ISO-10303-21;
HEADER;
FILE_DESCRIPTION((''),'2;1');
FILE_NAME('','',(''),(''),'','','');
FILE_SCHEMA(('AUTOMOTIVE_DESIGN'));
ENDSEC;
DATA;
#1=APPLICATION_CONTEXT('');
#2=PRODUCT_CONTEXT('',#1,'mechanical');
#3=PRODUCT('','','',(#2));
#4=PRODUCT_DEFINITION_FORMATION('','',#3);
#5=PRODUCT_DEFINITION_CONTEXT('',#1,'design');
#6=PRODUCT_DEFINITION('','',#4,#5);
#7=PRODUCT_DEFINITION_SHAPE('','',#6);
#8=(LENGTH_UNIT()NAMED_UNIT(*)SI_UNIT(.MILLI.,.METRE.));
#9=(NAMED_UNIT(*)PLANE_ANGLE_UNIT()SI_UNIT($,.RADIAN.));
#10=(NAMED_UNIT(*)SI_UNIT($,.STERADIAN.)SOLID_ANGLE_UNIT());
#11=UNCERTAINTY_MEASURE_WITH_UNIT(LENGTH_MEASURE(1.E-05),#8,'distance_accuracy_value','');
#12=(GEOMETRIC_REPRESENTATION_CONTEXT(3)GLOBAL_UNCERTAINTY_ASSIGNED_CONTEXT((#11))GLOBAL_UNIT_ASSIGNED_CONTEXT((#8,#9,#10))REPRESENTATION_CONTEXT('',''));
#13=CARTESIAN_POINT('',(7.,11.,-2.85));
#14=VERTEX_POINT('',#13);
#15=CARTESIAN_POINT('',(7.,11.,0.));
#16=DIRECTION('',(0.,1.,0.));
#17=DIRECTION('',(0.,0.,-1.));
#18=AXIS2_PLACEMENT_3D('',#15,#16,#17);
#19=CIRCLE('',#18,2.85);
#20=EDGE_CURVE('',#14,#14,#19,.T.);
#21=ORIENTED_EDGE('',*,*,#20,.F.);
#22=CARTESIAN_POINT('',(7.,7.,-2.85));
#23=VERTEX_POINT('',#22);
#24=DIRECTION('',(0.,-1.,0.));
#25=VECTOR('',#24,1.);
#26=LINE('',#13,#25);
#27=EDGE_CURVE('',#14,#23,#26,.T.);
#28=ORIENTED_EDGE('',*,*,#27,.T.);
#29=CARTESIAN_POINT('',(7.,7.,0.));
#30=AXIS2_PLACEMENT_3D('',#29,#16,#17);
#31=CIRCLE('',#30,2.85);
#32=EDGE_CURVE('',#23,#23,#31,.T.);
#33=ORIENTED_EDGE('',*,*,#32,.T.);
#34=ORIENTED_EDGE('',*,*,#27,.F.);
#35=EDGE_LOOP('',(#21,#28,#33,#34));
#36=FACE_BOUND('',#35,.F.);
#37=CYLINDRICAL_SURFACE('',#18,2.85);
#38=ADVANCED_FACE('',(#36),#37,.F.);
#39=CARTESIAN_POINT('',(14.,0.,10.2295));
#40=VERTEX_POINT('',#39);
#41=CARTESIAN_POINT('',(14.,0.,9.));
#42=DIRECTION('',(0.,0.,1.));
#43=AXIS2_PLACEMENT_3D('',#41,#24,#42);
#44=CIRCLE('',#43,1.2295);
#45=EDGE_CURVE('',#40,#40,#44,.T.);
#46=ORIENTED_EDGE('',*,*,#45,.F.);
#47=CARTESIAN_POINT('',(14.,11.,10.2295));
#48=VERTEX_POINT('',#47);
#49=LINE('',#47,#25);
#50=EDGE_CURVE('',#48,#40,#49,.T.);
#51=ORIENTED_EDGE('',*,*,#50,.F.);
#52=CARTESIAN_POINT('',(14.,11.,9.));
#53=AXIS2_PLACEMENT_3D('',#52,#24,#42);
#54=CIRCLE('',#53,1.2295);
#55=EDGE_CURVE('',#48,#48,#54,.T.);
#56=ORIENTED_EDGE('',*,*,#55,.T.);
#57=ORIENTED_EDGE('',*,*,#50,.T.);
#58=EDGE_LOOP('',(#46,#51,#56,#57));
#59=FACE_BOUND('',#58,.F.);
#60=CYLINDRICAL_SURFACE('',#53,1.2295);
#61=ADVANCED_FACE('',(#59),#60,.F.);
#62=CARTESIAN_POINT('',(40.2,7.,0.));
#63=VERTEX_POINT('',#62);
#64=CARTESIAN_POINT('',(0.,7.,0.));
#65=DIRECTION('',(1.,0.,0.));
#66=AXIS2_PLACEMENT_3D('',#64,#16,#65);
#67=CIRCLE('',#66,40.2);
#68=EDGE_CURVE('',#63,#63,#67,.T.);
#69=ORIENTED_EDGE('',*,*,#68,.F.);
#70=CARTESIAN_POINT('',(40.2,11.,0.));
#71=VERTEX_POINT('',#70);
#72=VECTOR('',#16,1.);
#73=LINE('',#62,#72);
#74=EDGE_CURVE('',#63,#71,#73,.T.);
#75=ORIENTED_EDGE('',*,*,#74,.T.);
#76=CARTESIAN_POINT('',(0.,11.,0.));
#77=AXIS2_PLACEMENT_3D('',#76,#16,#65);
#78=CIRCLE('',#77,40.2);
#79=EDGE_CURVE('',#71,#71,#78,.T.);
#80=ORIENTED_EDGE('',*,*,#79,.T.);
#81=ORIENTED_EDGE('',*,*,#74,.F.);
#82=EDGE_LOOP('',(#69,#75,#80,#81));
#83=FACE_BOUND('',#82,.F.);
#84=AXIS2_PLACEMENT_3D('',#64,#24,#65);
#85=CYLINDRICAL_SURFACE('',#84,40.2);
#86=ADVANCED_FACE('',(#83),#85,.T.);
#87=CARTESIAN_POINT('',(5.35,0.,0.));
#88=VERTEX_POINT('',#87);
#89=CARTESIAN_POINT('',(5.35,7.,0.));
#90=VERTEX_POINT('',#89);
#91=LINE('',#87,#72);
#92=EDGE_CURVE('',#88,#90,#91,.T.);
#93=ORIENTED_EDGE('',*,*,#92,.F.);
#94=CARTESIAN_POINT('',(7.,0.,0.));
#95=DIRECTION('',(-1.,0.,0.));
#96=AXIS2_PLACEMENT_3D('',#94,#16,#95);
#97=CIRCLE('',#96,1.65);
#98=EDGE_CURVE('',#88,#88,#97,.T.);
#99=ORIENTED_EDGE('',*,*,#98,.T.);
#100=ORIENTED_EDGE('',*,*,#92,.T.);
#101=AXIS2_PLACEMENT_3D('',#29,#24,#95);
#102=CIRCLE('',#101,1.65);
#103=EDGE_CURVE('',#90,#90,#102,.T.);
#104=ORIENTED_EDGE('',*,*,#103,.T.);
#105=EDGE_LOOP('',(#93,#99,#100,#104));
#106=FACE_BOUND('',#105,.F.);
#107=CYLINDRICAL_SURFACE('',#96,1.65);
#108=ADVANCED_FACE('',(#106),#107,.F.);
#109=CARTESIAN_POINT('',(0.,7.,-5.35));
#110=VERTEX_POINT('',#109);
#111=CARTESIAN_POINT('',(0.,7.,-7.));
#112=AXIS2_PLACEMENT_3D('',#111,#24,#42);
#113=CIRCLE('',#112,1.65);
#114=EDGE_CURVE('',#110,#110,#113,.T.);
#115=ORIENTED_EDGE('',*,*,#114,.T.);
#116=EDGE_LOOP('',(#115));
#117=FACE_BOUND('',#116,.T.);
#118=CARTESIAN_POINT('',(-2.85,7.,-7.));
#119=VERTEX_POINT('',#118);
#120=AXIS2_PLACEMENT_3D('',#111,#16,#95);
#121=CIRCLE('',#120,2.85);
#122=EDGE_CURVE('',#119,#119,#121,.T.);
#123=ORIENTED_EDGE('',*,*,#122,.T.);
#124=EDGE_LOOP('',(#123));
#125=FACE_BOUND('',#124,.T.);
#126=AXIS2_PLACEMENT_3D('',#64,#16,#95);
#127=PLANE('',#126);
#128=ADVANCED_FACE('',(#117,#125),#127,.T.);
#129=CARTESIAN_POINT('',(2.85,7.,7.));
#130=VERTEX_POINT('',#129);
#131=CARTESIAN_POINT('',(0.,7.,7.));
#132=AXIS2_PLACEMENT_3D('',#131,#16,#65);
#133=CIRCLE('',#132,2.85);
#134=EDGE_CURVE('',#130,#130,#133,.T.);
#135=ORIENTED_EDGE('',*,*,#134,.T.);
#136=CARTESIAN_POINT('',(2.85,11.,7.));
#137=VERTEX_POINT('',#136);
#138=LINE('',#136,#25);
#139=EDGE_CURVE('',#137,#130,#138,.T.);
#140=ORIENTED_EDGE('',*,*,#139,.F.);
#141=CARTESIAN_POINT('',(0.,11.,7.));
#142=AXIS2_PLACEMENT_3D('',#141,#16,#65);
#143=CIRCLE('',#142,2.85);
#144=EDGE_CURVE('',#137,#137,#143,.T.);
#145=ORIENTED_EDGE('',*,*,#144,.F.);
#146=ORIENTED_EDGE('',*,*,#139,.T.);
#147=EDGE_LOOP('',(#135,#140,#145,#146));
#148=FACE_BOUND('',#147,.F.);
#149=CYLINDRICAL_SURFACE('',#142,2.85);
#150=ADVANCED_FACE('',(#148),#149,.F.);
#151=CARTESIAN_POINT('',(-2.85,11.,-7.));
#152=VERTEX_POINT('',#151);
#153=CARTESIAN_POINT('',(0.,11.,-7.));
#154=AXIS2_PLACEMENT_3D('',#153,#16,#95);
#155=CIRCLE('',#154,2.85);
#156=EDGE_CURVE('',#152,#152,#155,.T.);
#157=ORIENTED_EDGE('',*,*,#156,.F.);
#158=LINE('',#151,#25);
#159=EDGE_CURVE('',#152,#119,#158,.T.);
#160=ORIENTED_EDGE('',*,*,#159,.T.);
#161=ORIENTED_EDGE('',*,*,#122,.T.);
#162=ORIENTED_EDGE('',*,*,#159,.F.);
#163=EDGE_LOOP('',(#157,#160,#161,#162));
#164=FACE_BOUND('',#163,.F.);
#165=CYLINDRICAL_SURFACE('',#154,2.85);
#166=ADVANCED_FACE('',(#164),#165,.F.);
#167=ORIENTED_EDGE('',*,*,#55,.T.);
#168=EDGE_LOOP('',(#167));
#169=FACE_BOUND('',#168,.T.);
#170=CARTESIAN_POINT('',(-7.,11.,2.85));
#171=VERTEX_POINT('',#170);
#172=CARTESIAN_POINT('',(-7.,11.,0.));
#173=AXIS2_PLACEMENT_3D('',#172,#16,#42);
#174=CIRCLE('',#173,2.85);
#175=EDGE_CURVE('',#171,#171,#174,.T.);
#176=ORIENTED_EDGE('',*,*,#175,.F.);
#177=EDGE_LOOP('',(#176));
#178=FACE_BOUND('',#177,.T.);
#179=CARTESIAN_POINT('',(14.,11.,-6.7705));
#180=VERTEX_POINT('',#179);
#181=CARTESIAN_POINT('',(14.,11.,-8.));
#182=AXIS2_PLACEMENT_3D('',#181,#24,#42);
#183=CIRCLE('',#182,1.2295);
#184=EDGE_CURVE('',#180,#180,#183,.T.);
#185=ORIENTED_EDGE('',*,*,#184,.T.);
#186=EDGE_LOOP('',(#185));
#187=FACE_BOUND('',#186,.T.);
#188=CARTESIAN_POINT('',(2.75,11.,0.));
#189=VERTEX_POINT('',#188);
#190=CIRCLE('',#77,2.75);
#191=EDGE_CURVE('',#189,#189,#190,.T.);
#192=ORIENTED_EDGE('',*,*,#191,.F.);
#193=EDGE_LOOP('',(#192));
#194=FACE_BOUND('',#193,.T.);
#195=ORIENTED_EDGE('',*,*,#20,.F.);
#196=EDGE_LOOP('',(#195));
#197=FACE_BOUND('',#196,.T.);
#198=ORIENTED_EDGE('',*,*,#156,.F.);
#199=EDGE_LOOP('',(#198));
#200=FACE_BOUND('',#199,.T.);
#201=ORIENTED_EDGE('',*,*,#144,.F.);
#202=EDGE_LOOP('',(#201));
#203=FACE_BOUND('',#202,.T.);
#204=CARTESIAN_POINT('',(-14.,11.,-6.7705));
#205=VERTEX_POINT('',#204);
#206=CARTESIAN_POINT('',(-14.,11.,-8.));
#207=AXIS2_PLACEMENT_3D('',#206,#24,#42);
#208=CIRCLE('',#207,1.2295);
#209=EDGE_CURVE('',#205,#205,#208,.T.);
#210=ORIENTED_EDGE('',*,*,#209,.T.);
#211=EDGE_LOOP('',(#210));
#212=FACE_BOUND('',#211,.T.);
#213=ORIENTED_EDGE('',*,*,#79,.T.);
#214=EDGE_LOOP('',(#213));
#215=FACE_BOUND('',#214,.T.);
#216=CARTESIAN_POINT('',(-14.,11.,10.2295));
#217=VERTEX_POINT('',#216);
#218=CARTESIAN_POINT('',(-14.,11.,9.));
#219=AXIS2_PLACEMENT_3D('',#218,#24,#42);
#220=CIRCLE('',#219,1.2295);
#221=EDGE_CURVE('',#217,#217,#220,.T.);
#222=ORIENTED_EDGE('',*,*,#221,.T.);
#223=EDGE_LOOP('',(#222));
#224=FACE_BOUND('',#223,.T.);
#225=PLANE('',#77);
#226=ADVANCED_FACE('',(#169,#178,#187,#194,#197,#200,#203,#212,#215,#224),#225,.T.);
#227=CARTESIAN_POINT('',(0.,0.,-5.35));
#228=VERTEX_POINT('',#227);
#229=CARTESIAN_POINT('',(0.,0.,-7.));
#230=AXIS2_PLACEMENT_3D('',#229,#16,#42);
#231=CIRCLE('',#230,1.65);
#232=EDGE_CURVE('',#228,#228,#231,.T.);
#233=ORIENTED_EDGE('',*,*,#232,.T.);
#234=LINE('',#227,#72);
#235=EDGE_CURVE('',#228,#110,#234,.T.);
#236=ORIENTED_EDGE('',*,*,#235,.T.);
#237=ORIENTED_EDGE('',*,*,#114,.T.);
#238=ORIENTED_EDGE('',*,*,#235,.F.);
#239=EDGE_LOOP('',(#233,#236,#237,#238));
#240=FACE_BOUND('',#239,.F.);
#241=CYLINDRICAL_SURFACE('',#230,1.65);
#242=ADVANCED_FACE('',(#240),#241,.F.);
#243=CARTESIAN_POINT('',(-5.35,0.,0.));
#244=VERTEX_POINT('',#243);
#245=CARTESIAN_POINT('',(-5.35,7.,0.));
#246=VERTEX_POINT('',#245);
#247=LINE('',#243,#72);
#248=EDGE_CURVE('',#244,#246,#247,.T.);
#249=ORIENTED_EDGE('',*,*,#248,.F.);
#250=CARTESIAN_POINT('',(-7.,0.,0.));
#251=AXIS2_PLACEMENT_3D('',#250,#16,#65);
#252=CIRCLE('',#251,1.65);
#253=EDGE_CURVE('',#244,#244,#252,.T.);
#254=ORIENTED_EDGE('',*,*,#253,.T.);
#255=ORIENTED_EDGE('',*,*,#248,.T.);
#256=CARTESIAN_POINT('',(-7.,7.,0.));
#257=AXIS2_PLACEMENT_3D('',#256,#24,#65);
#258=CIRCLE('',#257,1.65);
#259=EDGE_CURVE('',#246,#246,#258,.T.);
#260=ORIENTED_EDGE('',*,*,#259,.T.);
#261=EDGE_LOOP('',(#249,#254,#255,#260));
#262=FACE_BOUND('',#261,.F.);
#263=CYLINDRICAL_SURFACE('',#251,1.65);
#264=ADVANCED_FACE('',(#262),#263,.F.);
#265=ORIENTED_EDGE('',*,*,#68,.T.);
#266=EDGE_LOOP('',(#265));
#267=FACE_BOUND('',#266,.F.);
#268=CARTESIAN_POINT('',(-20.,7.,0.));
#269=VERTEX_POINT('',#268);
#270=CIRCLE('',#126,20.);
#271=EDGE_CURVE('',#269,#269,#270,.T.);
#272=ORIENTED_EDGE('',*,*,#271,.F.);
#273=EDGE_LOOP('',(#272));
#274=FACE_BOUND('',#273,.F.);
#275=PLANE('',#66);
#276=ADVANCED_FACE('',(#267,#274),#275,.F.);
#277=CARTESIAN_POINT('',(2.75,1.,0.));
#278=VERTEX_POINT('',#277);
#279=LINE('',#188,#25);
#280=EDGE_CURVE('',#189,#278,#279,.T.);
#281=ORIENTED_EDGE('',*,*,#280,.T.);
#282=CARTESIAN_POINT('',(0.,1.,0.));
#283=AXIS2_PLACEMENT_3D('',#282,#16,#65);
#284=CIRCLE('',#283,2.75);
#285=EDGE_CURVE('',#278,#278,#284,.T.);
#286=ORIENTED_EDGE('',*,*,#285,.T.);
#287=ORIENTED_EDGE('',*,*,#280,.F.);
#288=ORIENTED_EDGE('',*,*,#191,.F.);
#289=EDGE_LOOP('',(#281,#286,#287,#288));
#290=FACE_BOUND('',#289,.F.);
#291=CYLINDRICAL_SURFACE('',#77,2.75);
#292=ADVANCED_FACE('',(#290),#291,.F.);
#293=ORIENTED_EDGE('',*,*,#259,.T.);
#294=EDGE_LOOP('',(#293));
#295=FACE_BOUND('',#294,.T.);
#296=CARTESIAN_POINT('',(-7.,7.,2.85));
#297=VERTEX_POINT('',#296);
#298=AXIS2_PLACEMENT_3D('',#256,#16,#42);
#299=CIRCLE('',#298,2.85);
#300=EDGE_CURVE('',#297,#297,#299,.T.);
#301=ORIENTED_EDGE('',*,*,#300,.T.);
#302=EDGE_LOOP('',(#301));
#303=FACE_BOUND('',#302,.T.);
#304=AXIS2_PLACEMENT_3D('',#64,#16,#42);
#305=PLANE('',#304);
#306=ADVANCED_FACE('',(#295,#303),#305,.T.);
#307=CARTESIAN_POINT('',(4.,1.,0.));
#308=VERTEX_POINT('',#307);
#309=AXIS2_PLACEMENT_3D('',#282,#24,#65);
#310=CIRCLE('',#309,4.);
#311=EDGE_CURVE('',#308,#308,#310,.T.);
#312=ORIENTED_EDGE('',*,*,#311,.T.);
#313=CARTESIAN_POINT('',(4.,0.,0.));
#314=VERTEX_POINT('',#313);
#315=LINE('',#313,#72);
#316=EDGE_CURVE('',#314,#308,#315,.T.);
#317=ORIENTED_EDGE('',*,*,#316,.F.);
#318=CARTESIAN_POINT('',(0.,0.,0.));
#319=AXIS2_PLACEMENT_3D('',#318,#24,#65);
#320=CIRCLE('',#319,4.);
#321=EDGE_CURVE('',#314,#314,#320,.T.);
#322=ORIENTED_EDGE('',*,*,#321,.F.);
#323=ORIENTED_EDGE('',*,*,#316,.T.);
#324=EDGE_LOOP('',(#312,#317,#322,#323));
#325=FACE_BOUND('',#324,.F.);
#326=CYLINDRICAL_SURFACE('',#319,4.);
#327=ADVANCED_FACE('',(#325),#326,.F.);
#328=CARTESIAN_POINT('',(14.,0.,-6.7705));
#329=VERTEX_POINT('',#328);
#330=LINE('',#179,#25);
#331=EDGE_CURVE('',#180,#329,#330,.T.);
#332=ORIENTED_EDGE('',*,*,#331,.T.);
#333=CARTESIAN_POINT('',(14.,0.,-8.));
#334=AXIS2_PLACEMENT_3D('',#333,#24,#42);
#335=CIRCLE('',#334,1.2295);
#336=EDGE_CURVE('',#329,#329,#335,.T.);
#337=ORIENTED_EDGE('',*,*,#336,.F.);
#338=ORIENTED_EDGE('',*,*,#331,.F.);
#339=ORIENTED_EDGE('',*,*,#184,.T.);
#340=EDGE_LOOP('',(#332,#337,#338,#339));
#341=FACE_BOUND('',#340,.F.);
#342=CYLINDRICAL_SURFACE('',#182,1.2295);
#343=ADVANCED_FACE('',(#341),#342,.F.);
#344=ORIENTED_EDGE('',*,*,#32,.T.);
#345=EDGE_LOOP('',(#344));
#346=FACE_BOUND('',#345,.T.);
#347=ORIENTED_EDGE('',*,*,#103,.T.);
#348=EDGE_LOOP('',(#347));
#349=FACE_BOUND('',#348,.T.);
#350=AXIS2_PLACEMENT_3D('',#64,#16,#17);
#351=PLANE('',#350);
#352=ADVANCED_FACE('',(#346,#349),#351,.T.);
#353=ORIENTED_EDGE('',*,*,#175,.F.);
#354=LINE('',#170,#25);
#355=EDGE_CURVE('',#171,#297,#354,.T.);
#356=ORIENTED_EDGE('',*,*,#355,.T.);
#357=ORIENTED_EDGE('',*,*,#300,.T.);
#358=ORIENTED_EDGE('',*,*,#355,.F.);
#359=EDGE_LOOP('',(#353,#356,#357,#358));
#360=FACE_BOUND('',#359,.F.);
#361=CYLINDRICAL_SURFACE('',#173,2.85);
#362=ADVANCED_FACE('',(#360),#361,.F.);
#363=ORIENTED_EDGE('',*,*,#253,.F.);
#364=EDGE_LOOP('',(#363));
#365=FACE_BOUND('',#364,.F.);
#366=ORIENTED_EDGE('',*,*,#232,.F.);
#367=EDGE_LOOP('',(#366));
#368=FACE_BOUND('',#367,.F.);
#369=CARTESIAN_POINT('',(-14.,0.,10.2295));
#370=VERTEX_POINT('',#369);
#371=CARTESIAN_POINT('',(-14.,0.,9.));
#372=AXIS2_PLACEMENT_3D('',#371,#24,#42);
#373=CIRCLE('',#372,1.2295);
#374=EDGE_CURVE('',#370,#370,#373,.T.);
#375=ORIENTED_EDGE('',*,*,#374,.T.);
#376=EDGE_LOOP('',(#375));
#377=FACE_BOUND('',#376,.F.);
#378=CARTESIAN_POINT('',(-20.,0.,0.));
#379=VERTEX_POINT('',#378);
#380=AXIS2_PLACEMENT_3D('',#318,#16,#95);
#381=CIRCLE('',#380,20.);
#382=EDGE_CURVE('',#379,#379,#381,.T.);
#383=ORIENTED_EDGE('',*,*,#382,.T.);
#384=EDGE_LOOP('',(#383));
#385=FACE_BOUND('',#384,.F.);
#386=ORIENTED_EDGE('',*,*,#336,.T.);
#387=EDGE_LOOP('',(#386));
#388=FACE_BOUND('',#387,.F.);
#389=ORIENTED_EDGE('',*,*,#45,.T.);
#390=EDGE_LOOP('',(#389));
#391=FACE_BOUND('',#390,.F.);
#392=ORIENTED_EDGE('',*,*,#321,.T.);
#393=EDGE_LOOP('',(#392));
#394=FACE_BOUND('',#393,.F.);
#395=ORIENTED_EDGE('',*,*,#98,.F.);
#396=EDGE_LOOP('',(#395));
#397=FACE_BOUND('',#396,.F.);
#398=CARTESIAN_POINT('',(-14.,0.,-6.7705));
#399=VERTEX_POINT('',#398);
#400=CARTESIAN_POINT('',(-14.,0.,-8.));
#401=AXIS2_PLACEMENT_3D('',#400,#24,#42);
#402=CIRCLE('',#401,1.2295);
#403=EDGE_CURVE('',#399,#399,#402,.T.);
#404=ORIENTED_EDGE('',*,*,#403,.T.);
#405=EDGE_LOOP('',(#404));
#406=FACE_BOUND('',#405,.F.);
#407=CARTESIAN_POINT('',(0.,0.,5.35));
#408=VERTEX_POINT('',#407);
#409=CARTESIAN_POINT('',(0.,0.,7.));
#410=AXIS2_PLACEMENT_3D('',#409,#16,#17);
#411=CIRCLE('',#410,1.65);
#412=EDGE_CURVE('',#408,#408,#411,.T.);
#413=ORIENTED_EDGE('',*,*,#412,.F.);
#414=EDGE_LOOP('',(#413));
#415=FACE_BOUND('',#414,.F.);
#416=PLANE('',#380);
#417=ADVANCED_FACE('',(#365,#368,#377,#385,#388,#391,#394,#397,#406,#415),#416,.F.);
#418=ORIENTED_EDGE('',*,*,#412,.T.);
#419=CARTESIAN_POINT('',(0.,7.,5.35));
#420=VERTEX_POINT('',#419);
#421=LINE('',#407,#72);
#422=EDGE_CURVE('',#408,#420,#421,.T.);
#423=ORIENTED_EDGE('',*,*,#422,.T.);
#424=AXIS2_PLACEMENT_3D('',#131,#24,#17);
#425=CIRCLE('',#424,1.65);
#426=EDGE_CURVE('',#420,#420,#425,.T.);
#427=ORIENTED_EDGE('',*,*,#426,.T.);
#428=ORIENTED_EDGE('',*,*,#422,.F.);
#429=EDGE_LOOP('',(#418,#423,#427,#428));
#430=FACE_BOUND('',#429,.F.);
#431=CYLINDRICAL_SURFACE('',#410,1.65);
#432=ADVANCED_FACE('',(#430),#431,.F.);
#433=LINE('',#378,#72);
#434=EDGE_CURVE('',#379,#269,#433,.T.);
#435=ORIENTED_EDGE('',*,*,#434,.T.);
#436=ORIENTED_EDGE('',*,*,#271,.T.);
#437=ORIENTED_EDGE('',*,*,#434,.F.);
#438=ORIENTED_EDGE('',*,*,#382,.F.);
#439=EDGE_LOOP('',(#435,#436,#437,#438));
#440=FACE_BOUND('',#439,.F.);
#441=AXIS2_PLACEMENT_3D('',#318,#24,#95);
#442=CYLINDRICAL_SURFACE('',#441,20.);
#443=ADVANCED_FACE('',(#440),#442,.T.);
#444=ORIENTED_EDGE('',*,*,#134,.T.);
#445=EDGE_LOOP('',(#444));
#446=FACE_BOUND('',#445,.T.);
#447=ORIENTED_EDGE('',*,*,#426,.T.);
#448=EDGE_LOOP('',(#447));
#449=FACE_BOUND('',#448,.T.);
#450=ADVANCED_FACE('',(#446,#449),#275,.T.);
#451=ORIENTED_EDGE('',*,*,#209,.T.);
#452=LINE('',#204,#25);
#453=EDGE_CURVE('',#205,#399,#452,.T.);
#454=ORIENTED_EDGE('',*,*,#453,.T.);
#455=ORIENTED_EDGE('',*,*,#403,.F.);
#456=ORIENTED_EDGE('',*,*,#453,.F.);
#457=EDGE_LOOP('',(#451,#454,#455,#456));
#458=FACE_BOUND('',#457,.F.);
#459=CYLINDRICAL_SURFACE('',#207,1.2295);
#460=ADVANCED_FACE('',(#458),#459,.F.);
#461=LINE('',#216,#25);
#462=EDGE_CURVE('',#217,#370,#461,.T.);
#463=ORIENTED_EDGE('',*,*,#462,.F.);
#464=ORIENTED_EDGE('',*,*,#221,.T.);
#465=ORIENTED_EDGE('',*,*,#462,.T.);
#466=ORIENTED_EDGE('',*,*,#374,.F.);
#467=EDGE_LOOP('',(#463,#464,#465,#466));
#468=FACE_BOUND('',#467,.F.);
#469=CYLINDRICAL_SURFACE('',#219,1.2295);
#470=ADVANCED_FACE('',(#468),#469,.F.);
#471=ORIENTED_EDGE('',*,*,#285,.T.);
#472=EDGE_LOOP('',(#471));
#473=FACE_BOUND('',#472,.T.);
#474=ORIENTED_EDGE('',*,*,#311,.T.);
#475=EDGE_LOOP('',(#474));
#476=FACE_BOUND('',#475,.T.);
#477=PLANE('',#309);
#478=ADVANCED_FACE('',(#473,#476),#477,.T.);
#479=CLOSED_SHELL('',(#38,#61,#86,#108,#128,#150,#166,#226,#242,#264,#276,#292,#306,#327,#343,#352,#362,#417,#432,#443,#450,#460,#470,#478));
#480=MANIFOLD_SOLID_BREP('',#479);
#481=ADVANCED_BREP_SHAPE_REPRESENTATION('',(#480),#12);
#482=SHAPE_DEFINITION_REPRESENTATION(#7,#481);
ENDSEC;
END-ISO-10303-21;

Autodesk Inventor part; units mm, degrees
ref_plane "YZ Plane" through (0, 0, 0) normal (1, 0, 0) x (0, 1, 0)
ref_plane "XZ Plane" through (0, 0, 0) normal (0, 1, 0) x (-1, 0, 0)
ref_plane "XY Plane" through (0, 0, 0) normal (0, 0, 1) x (1, 0, 0)
sketch "Sketch1" plane through (0, 0, 0) normal (0, 1, 0) x (-1, 0, 0)
  circle A0 centre (0, 0) radius 20
  dimension "d0" = 40
extrude "Extrusion1" add sketch "Sketch1" along normal blind 7
sketch "Sketch2" plane through (0, 7, 0) normal (0, 1, 0) x (1, 0, 0)
  circle A0 centre (0, 0) radius 40.2
  dimension "d3" = 80.4
extrude "Extrusion2" add sketch "Sketch2" along normal blind 4
sketch "Sketch3" plane through (0, 0, 0) normal (0, -1, 0) x (1, 0, 0)
  point P0 (0, 0)
  point P1 (0, 7)
  dimension "d6" = 7
hole "Hole1" at (0, 0, 7) direction (0, 1, 0) diameter 3.3 end through all clearance for "Flat Head Machine Screw" size "M3" standard "Ansi Metric M Profile"
pattern_circular "Circular Pattern1" count 4 over 360 about axis through (0, -10, 0) along (0, 1, 0) of "Hole1"
sketch "Sketch4" plane through (0, 11, 0) normal (0, 1, 0) x (1, 0, 0)
  circle A0 centre (0, 0) radius 2.75
  dimension "d17" = 5.5
extrude "Extrusion3" cut sketch "Sketch4" against normal up to surface (11 mm away)
sketch "Sketch5" plane through (0, 0, 0) normal (0, -1, 0) x (1, 0, 0)
  circle A0 centre (0, 0) radius 4
  dimension "d20" = 8
extrude "Extrusion4" cut sketch "Sketch5" against normal blind 1
sketch "Sketch6" plane through (0, 11, 0) normal (0, 1, 0) x (1, 0, 0)
  circle A0 centre (0, 0) radius 2.75 projected
  circle A1 centre (-7, 0) radius 1.65 projected
  circle A2 centre (0, 7) radius 1.65 projected
  circle A3 centre (7, 0) radius 1.65 projected
  circle A4 centre (0, -7) radius 1.65 projected
  circle A5 centre (0, 0) radius 40.2 projected
  circle A6 centre (0, -7) radius 2.85
  dimension "d23" = 5.7
extrude "Extrusion5" cut sketch "Sketch6" against normal blind 4 contours A6
pattern_circular "Circular Pattern2" count 4 over 360 about axis through (0, 11, 0) along (0, -1, 0) of "Extrusion5"
sketch "Sketch8" plane through (0, 11, 0) normal (0, 1, 0) x (1, 0, 0)
  line L0 (-14, -9) -> (14, -9)
  line L1 (14, -9) -> (14, 8)
  line L2 (14, 8) -> (-14, 8)
  line L3 (-14, 8) -> (-14, -9)
  circle A0 centre (7, 0) radius 2.85 projected
  circle A1 centre (0, 7) radius 2.85 projected
  circle A2 centre (-7, 0) radius 2.85 projected
  circle A3 centre (0, -7) radius 2.85 projected
  circle A4 centre (0, 0) radius 2.75 projected
  circle A5 centre (0, 0) radius 40.2 projected
  dimension "d29" = 17
  dimension "d30" = 28
  dimension "d31" = 7
  dimension "d32" = 7
  dimension "d33" = 2
hole "Hole2" at (-14, 11, 9) at (14, 11, 9) at (14, 11, -8) at (-14, 11, -8) direction (0, -1, 0) diameter 2.459 end through all thread size "M3x0.5" class "6H" standard "ANSI Metric M Profile"
equation "\"d31\" = d32"
properties part number "table_2"
